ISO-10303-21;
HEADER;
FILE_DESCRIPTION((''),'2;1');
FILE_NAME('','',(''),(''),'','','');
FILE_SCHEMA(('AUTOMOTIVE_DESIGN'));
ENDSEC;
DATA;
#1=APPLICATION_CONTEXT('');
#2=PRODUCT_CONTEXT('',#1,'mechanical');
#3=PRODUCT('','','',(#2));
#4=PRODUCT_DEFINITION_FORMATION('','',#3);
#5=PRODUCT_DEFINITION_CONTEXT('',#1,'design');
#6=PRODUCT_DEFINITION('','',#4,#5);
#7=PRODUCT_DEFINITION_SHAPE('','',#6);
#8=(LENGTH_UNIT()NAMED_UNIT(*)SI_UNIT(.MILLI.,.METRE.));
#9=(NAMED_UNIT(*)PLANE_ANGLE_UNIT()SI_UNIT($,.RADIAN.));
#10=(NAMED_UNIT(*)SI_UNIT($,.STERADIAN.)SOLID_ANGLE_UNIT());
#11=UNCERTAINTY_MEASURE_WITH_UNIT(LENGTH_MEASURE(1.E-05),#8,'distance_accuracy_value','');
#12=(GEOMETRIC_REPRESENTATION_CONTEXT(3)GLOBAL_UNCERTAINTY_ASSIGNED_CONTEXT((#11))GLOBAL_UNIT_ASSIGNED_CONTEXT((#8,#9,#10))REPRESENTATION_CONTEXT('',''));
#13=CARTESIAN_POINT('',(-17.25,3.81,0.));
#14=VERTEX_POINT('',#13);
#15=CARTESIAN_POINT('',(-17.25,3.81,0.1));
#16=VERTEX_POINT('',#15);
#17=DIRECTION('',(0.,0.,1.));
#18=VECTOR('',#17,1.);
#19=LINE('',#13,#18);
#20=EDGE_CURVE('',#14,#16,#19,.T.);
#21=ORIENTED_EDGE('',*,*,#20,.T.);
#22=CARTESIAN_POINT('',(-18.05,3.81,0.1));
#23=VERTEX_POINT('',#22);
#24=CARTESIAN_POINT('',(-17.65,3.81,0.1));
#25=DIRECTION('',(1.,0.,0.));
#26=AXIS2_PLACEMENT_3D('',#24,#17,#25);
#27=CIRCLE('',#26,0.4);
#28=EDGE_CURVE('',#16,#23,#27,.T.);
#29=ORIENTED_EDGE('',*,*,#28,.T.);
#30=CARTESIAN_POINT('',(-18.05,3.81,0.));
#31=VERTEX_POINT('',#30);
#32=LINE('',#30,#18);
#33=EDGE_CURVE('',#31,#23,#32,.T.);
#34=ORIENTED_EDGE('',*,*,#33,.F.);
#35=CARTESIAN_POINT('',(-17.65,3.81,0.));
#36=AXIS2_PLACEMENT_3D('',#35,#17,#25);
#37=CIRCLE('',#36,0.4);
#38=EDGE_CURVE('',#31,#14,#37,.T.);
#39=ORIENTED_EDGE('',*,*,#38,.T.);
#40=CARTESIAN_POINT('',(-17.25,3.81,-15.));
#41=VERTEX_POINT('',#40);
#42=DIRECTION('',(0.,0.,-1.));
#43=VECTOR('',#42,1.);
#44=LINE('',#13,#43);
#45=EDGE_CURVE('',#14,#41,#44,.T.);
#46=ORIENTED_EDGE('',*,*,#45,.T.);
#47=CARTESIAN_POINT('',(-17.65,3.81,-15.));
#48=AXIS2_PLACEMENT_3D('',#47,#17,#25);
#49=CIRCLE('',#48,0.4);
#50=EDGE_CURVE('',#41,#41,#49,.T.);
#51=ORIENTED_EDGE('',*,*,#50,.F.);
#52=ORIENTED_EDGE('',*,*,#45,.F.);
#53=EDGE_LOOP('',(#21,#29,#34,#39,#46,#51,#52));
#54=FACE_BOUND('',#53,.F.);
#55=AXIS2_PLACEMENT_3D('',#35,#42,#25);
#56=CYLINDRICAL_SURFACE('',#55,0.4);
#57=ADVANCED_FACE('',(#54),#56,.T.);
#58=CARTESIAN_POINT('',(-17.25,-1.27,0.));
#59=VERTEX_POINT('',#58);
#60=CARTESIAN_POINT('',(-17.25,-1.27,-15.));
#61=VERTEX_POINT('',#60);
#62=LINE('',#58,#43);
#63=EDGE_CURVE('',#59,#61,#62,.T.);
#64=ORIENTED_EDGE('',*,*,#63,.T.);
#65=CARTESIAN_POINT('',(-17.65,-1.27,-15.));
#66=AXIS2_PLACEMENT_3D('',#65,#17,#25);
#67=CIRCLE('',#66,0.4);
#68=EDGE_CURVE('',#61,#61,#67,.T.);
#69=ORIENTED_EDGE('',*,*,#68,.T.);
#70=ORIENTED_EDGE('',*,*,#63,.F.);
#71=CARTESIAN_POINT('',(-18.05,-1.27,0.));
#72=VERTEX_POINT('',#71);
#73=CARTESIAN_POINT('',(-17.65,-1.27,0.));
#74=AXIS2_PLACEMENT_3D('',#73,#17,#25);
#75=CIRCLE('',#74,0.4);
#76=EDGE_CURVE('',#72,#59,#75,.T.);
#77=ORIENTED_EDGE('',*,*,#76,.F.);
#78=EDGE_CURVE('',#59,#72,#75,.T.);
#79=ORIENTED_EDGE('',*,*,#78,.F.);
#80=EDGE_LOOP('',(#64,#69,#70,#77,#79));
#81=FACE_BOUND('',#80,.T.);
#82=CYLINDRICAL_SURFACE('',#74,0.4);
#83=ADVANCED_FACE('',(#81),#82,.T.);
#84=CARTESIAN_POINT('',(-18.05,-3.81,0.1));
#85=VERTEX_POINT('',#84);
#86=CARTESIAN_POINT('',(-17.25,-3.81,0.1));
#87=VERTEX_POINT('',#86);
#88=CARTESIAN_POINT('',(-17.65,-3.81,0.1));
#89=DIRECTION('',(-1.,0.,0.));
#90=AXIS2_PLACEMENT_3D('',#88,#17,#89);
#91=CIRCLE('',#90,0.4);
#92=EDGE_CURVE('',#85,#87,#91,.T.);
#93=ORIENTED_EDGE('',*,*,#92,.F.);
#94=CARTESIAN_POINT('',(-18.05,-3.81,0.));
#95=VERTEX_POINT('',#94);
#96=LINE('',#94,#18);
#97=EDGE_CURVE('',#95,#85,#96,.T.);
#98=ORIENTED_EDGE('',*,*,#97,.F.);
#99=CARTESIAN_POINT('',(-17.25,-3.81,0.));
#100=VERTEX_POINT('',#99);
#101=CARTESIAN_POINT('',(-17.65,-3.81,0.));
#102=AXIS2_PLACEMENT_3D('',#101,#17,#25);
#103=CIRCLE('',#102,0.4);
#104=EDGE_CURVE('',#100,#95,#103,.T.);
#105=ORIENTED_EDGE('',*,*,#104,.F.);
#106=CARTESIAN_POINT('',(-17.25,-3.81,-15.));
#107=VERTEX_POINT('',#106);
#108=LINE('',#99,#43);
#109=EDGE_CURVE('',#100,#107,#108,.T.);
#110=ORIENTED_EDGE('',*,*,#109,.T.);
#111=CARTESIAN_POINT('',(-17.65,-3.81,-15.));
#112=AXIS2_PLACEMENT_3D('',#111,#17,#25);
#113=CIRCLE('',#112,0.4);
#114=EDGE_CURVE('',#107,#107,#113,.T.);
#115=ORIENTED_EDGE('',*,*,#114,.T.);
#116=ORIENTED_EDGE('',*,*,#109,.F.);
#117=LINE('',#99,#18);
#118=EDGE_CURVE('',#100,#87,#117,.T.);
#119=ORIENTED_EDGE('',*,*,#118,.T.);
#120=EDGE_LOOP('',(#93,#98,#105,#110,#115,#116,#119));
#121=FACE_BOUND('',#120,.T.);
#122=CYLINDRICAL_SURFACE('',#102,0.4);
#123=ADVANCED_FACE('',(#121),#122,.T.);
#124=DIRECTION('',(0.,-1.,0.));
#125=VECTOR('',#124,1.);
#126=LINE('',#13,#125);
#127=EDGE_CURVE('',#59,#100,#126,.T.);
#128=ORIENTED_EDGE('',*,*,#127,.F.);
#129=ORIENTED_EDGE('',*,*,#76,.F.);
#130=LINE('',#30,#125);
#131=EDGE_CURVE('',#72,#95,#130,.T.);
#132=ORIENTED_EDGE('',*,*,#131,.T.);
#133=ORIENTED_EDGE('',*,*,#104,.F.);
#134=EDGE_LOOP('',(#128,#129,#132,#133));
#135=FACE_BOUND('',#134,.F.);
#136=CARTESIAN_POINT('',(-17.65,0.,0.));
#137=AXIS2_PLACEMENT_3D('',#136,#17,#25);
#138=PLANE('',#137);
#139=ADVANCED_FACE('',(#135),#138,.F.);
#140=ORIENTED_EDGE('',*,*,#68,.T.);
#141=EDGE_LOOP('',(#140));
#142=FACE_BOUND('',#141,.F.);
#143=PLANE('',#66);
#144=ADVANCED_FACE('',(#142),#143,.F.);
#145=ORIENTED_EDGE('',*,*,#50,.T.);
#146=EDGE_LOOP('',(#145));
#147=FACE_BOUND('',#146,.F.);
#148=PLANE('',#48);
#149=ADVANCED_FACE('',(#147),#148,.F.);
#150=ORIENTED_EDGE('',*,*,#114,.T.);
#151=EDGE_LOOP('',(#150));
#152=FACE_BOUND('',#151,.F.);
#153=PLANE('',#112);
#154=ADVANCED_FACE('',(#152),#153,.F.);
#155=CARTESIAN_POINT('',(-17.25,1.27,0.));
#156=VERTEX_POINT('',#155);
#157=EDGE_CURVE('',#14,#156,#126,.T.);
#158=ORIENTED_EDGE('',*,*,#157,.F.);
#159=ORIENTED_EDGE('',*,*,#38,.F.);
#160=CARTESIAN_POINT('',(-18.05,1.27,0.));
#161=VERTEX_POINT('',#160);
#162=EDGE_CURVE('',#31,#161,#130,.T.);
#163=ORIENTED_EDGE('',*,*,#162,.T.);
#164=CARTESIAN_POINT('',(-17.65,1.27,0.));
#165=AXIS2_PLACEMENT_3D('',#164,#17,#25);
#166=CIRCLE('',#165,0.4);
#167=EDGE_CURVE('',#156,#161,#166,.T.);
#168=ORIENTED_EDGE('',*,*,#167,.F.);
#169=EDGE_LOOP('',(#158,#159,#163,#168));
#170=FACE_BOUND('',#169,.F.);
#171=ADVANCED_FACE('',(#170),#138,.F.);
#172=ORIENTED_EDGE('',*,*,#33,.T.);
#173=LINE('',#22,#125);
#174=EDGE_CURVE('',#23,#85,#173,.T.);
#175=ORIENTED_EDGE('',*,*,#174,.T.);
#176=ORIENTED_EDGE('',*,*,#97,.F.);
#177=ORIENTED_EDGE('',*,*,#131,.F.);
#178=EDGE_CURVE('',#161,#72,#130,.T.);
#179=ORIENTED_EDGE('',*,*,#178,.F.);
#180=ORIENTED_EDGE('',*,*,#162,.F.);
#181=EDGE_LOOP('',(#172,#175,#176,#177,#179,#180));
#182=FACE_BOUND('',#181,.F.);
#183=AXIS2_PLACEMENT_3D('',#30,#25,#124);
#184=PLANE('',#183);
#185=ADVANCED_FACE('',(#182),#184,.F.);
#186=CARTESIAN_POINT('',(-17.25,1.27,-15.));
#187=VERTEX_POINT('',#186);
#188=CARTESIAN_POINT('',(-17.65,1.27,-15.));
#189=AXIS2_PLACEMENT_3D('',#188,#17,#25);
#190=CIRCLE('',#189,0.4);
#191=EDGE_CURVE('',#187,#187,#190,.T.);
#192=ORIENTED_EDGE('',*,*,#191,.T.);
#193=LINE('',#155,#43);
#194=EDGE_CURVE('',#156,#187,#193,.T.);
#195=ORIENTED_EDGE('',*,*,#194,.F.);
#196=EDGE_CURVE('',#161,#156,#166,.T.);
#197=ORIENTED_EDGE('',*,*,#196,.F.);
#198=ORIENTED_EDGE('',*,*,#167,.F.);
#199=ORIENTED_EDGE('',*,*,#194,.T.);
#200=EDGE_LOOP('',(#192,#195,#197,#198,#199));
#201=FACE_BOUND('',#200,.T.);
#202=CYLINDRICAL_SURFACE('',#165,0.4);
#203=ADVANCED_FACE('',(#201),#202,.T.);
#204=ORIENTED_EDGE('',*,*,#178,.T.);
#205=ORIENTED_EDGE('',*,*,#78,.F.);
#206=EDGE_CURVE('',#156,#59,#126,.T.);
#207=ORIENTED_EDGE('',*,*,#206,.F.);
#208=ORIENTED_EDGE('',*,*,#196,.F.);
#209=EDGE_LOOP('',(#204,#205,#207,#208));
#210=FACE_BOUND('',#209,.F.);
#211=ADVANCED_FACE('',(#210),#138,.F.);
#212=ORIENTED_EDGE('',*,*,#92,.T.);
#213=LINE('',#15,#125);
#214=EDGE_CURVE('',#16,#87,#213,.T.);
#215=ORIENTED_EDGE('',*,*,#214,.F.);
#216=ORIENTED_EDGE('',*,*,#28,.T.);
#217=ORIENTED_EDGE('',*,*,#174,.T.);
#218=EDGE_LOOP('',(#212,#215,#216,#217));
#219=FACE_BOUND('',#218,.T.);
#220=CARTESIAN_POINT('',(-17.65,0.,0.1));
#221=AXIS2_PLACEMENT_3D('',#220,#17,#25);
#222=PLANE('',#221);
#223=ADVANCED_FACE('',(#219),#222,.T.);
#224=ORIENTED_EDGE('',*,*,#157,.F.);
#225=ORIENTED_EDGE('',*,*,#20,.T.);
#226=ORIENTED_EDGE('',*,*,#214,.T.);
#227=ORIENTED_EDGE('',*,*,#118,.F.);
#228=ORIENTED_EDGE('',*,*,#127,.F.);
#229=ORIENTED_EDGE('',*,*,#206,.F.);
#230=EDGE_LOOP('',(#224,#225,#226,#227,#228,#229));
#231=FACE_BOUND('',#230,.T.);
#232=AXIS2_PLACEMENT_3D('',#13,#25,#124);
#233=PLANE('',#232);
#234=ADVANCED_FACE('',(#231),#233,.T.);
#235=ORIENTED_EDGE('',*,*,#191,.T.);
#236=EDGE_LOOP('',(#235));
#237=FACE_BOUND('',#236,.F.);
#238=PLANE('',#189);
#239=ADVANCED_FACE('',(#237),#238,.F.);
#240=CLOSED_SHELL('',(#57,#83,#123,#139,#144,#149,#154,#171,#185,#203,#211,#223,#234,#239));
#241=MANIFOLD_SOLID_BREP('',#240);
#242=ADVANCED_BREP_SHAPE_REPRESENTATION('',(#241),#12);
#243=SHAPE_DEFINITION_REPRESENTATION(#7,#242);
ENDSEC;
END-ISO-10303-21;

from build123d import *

# Parameters (mm, degrees)
PAD005_DEPTH           = 0.1
SKETCH009_R            = 0.4
PAD006_DEPTH           = 15
LINEARPATTERN003_COUNT = 4
LINEARPATTERN003_PITCH = 2.54


with BuildPart() as part:
    # Sketch010 → Pad005 (new body)
    with BuildSketch(Plane.XY):
        with BuildLine():
            ThreePointArc((-17.25, 3.81), (-17.65, 4.21), (-18.05, 3.81))
            Line((-18.05, 3.81), (-18.05, -3.81))
            ThreePointArc((-18.05, -3.81), (-17.65, -4.21), (-17.25, -3.81))
            Line((-17.25, 3.81), (-17.25, -3.81))
        make_face()
    extrude(amount=PAD005_DEPTH)

    # Sketch009 → Pad006 (join)
    with BuildSketch(Plane.XY):
        with Locations((-17.65, -3.81)):
            Circle(SKETCH009_R)
    pad006 = extrude(amount=-PAD006_DEPTH)

    # LinearPattern003: Pad006 ×4
    with Locations(*[(0, i * LINEARPATTERN003_PITCH, 0) for i in range(1, LINEARPATTERN003_COUNT)]):
        add(pad006)


solid = part.part
